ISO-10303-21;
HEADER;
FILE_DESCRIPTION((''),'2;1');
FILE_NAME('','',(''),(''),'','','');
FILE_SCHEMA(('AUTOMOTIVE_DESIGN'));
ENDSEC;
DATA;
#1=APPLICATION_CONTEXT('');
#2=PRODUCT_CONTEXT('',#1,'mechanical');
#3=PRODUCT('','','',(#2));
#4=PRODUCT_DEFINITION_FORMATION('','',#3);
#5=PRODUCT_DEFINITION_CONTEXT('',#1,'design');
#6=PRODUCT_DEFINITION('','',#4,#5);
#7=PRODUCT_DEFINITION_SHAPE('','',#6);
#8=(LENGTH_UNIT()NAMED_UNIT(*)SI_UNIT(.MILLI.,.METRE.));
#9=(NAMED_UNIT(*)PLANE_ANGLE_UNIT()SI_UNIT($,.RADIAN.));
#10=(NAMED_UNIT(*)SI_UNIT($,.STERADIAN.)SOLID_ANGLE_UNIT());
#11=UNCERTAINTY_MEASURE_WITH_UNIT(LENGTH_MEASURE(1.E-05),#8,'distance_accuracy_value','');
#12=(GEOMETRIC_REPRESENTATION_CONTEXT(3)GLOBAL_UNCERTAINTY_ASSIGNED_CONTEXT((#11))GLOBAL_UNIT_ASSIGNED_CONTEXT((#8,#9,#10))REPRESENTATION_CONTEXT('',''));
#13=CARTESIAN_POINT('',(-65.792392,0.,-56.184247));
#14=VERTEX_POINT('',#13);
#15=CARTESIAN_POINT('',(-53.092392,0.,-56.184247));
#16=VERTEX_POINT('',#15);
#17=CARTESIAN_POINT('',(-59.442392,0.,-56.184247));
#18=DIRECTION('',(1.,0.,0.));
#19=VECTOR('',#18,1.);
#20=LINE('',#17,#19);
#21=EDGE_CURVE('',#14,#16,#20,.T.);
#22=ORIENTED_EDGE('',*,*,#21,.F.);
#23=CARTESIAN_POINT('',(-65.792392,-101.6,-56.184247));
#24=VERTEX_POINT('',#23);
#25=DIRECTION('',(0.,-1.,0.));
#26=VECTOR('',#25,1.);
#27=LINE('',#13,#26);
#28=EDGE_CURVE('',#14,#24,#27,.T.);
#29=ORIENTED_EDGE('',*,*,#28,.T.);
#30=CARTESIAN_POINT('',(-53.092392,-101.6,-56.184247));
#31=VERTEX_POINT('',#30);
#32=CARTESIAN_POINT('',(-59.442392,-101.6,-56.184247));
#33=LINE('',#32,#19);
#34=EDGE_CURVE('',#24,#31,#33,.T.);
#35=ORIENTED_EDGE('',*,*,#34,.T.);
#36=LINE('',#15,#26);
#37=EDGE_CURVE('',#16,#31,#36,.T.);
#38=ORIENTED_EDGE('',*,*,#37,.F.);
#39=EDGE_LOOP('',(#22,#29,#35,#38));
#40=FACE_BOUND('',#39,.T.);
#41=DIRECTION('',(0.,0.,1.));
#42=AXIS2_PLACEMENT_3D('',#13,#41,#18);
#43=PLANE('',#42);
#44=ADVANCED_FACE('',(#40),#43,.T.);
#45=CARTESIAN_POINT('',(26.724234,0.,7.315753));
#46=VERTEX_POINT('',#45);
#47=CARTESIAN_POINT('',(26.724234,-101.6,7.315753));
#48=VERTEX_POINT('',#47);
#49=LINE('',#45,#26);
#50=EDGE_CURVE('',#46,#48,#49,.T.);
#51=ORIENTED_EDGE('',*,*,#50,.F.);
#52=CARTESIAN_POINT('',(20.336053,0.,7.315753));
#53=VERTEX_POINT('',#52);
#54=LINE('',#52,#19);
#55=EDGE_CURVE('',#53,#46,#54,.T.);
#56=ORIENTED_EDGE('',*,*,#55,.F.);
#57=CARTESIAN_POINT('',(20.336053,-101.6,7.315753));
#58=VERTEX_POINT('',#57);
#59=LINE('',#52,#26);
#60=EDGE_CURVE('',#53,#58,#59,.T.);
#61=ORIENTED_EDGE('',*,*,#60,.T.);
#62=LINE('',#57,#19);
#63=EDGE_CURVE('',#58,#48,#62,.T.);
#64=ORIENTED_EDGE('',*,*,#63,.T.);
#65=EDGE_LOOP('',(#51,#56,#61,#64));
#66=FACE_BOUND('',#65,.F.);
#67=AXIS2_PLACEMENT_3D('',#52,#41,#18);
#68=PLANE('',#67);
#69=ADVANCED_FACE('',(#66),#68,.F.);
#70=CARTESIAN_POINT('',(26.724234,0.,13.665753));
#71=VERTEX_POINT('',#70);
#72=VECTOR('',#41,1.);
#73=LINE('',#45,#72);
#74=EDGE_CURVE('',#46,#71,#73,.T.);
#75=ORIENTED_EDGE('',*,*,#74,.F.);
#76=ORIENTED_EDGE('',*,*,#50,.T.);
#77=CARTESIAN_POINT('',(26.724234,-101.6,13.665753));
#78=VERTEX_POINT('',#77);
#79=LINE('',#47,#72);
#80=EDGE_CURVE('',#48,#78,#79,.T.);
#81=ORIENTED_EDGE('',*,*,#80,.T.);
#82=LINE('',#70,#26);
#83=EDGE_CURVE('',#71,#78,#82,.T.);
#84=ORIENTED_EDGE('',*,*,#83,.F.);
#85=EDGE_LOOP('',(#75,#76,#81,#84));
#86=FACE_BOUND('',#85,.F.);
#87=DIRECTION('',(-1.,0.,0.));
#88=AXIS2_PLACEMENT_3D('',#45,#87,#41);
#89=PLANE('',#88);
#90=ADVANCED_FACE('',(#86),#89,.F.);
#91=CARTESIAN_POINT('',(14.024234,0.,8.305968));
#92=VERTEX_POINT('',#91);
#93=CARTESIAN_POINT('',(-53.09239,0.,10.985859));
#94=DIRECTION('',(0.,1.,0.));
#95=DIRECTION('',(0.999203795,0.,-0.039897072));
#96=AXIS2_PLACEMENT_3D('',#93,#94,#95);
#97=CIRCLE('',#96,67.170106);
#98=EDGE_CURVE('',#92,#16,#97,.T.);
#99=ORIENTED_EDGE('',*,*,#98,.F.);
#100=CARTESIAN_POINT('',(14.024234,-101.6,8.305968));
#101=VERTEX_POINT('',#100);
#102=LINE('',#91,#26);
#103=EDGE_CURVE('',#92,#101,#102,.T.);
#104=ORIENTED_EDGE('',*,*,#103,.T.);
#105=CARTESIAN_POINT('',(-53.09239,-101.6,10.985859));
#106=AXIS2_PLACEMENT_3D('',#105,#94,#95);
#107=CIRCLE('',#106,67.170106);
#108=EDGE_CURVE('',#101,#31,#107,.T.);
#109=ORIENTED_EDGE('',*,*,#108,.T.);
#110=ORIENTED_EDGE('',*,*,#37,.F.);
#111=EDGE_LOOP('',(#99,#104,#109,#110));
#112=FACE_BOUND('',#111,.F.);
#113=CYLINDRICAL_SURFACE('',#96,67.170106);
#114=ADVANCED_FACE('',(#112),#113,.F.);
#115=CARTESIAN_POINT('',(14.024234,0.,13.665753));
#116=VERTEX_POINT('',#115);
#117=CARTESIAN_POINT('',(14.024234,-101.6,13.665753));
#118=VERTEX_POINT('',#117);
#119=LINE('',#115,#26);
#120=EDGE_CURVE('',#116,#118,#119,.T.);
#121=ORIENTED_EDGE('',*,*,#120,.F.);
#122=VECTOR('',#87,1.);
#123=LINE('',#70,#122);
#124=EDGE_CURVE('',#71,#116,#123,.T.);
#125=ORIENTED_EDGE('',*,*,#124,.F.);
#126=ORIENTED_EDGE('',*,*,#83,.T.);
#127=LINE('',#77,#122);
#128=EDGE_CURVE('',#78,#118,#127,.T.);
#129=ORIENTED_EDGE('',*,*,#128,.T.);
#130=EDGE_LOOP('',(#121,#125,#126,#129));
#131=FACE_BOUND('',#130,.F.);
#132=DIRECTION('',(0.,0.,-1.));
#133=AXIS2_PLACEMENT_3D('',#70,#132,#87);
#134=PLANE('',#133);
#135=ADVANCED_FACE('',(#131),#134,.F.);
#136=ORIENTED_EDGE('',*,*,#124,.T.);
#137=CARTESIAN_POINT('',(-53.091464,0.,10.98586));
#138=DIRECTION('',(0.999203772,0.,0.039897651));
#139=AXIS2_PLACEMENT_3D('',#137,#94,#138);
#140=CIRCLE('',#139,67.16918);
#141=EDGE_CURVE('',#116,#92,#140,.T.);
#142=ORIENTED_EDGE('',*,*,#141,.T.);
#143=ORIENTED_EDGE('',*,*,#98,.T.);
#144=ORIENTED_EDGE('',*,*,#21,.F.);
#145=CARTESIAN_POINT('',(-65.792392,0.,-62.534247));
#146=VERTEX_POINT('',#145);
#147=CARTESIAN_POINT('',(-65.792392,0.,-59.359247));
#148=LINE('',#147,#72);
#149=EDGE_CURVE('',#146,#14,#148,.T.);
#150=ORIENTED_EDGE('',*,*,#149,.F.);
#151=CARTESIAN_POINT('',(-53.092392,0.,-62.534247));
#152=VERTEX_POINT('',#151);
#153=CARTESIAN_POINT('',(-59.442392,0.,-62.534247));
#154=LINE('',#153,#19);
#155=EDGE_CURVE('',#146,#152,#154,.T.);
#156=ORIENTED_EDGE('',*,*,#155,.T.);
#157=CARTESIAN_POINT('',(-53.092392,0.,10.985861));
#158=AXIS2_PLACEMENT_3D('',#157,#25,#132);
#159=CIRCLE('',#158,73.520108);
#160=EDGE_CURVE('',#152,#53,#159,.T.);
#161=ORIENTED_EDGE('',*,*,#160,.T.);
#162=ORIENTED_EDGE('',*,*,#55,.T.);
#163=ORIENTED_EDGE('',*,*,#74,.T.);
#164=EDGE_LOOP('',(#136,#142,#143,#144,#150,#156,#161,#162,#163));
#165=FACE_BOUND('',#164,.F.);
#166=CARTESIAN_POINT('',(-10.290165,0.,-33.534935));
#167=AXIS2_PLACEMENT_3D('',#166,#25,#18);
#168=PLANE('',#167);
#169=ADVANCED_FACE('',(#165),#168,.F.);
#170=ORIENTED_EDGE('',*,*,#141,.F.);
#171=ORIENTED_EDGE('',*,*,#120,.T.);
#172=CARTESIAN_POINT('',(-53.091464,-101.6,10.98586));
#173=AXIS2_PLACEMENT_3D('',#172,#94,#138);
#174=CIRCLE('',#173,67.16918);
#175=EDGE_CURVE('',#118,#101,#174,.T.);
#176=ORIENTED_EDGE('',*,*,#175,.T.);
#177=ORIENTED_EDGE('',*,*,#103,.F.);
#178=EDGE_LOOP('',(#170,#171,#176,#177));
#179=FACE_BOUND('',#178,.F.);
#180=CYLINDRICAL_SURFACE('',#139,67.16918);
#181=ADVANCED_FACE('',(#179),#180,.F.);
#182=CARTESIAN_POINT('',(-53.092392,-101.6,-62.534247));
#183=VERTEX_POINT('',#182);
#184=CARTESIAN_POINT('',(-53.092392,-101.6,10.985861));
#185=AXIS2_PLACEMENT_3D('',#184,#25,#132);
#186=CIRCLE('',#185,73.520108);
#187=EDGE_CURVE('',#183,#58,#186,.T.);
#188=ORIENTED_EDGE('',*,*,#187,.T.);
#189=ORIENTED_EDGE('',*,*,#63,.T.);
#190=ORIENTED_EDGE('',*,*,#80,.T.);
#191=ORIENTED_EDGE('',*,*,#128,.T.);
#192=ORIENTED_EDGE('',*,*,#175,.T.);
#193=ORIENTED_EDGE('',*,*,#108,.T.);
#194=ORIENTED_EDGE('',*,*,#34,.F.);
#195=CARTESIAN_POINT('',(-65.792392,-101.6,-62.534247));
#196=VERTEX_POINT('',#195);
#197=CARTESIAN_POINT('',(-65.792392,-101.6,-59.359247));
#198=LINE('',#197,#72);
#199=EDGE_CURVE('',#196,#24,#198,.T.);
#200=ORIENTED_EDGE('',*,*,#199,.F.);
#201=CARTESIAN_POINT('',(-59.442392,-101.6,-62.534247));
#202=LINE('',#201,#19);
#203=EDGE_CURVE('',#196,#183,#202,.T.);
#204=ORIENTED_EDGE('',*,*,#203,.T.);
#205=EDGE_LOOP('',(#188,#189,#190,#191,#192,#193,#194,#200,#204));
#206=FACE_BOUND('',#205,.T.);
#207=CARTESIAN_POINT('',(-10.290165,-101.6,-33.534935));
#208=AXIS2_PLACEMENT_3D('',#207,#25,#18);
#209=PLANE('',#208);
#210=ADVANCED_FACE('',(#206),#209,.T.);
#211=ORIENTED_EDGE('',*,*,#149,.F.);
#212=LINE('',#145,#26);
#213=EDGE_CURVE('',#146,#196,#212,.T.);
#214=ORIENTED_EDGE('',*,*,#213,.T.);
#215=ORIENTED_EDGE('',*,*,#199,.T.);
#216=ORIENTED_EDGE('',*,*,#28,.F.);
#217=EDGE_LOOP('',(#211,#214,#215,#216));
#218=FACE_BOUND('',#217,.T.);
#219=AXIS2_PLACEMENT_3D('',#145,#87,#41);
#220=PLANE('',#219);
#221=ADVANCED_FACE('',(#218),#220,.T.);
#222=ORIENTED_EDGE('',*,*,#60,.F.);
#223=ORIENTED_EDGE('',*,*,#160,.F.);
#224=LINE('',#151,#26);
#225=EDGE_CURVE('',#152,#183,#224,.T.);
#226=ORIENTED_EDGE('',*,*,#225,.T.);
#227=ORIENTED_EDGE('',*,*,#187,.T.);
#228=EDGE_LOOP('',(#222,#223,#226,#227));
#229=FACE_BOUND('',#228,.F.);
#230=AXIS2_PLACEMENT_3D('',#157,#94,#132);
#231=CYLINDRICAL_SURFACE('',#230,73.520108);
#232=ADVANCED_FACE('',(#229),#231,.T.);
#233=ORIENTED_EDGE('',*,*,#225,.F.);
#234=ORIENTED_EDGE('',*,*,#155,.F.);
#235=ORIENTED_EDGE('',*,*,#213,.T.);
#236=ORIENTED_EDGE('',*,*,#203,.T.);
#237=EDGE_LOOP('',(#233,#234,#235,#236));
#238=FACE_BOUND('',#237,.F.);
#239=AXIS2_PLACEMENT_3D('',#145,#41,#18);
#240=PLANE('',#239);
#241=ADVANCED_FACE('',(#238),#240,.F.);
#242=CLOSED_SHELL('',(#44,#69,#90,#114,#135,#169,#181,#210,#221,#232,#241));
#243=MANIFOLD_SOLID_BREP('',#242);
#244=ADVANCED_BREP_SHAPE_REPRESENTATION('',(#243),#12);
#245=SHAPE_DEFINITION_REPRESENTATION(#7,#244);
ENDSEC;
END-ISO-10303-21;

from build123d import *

# Parameters (mm, degrees)
F0_W     = 12.7
F0_H     = 6.35
F1_DEPTH = 101.6


with BuildPart() as f1:
    # F0 (on Front) → F1 (new body)
    with BuildSketch(Plane.XZ):
        with BuildLine():
            Line((-53.092392, -56.184247), (-53.092392, -62.534247))
            ThreePointArc((-53.092392, -62.534247), (-2.420015, -42.282483), (20.336053, 7.315753))
            Line((20.336053, 7.315753), (14.024234, 7.315753))
            Line((14.024234, 7.315753), (14.024234, 8.305968))
            ThreePointArc((14.024234, 8.305968), (-6.553082, -37.448797), (-53.092392, -56.184247))
        make_face()
        with BuildLine():
            Line((14.024234, 7.315753), (20.336053, 7.315753))
            ThreePointArc((20.336053, 7.315753), (20.426045, 10.490291), (20.378857, 13.665753))
            Line((20.378857, 13.665753), (14.024234, 13.665753))
            ThreePointArc((14.024234, 13.665753), (14.077716, 10.98586), (14.024234, 8.305968))
            Line((14.024234, 8.305968), (14.024234, 7.315753))
        make_face()
        with BuildLine():
            ThreePointArc((20.378857, 13.665753), (20.426045, 10.490291), (20.336053, 7.315753))
            Line((20.336053, 7.315753), (26.724234, 7.315753))
            Line((26.724234, 7.315753), (26.724234, 13.665753))
            Line((26.724234, 13.665753), (20.378857, 13.665753))
        make_face()
        with Locations((-59.442392, -59.359247)):
            Rectangle(F0_W, F0_H)
    extrude(amount=F1_DEPTH)


solid = f1.part
